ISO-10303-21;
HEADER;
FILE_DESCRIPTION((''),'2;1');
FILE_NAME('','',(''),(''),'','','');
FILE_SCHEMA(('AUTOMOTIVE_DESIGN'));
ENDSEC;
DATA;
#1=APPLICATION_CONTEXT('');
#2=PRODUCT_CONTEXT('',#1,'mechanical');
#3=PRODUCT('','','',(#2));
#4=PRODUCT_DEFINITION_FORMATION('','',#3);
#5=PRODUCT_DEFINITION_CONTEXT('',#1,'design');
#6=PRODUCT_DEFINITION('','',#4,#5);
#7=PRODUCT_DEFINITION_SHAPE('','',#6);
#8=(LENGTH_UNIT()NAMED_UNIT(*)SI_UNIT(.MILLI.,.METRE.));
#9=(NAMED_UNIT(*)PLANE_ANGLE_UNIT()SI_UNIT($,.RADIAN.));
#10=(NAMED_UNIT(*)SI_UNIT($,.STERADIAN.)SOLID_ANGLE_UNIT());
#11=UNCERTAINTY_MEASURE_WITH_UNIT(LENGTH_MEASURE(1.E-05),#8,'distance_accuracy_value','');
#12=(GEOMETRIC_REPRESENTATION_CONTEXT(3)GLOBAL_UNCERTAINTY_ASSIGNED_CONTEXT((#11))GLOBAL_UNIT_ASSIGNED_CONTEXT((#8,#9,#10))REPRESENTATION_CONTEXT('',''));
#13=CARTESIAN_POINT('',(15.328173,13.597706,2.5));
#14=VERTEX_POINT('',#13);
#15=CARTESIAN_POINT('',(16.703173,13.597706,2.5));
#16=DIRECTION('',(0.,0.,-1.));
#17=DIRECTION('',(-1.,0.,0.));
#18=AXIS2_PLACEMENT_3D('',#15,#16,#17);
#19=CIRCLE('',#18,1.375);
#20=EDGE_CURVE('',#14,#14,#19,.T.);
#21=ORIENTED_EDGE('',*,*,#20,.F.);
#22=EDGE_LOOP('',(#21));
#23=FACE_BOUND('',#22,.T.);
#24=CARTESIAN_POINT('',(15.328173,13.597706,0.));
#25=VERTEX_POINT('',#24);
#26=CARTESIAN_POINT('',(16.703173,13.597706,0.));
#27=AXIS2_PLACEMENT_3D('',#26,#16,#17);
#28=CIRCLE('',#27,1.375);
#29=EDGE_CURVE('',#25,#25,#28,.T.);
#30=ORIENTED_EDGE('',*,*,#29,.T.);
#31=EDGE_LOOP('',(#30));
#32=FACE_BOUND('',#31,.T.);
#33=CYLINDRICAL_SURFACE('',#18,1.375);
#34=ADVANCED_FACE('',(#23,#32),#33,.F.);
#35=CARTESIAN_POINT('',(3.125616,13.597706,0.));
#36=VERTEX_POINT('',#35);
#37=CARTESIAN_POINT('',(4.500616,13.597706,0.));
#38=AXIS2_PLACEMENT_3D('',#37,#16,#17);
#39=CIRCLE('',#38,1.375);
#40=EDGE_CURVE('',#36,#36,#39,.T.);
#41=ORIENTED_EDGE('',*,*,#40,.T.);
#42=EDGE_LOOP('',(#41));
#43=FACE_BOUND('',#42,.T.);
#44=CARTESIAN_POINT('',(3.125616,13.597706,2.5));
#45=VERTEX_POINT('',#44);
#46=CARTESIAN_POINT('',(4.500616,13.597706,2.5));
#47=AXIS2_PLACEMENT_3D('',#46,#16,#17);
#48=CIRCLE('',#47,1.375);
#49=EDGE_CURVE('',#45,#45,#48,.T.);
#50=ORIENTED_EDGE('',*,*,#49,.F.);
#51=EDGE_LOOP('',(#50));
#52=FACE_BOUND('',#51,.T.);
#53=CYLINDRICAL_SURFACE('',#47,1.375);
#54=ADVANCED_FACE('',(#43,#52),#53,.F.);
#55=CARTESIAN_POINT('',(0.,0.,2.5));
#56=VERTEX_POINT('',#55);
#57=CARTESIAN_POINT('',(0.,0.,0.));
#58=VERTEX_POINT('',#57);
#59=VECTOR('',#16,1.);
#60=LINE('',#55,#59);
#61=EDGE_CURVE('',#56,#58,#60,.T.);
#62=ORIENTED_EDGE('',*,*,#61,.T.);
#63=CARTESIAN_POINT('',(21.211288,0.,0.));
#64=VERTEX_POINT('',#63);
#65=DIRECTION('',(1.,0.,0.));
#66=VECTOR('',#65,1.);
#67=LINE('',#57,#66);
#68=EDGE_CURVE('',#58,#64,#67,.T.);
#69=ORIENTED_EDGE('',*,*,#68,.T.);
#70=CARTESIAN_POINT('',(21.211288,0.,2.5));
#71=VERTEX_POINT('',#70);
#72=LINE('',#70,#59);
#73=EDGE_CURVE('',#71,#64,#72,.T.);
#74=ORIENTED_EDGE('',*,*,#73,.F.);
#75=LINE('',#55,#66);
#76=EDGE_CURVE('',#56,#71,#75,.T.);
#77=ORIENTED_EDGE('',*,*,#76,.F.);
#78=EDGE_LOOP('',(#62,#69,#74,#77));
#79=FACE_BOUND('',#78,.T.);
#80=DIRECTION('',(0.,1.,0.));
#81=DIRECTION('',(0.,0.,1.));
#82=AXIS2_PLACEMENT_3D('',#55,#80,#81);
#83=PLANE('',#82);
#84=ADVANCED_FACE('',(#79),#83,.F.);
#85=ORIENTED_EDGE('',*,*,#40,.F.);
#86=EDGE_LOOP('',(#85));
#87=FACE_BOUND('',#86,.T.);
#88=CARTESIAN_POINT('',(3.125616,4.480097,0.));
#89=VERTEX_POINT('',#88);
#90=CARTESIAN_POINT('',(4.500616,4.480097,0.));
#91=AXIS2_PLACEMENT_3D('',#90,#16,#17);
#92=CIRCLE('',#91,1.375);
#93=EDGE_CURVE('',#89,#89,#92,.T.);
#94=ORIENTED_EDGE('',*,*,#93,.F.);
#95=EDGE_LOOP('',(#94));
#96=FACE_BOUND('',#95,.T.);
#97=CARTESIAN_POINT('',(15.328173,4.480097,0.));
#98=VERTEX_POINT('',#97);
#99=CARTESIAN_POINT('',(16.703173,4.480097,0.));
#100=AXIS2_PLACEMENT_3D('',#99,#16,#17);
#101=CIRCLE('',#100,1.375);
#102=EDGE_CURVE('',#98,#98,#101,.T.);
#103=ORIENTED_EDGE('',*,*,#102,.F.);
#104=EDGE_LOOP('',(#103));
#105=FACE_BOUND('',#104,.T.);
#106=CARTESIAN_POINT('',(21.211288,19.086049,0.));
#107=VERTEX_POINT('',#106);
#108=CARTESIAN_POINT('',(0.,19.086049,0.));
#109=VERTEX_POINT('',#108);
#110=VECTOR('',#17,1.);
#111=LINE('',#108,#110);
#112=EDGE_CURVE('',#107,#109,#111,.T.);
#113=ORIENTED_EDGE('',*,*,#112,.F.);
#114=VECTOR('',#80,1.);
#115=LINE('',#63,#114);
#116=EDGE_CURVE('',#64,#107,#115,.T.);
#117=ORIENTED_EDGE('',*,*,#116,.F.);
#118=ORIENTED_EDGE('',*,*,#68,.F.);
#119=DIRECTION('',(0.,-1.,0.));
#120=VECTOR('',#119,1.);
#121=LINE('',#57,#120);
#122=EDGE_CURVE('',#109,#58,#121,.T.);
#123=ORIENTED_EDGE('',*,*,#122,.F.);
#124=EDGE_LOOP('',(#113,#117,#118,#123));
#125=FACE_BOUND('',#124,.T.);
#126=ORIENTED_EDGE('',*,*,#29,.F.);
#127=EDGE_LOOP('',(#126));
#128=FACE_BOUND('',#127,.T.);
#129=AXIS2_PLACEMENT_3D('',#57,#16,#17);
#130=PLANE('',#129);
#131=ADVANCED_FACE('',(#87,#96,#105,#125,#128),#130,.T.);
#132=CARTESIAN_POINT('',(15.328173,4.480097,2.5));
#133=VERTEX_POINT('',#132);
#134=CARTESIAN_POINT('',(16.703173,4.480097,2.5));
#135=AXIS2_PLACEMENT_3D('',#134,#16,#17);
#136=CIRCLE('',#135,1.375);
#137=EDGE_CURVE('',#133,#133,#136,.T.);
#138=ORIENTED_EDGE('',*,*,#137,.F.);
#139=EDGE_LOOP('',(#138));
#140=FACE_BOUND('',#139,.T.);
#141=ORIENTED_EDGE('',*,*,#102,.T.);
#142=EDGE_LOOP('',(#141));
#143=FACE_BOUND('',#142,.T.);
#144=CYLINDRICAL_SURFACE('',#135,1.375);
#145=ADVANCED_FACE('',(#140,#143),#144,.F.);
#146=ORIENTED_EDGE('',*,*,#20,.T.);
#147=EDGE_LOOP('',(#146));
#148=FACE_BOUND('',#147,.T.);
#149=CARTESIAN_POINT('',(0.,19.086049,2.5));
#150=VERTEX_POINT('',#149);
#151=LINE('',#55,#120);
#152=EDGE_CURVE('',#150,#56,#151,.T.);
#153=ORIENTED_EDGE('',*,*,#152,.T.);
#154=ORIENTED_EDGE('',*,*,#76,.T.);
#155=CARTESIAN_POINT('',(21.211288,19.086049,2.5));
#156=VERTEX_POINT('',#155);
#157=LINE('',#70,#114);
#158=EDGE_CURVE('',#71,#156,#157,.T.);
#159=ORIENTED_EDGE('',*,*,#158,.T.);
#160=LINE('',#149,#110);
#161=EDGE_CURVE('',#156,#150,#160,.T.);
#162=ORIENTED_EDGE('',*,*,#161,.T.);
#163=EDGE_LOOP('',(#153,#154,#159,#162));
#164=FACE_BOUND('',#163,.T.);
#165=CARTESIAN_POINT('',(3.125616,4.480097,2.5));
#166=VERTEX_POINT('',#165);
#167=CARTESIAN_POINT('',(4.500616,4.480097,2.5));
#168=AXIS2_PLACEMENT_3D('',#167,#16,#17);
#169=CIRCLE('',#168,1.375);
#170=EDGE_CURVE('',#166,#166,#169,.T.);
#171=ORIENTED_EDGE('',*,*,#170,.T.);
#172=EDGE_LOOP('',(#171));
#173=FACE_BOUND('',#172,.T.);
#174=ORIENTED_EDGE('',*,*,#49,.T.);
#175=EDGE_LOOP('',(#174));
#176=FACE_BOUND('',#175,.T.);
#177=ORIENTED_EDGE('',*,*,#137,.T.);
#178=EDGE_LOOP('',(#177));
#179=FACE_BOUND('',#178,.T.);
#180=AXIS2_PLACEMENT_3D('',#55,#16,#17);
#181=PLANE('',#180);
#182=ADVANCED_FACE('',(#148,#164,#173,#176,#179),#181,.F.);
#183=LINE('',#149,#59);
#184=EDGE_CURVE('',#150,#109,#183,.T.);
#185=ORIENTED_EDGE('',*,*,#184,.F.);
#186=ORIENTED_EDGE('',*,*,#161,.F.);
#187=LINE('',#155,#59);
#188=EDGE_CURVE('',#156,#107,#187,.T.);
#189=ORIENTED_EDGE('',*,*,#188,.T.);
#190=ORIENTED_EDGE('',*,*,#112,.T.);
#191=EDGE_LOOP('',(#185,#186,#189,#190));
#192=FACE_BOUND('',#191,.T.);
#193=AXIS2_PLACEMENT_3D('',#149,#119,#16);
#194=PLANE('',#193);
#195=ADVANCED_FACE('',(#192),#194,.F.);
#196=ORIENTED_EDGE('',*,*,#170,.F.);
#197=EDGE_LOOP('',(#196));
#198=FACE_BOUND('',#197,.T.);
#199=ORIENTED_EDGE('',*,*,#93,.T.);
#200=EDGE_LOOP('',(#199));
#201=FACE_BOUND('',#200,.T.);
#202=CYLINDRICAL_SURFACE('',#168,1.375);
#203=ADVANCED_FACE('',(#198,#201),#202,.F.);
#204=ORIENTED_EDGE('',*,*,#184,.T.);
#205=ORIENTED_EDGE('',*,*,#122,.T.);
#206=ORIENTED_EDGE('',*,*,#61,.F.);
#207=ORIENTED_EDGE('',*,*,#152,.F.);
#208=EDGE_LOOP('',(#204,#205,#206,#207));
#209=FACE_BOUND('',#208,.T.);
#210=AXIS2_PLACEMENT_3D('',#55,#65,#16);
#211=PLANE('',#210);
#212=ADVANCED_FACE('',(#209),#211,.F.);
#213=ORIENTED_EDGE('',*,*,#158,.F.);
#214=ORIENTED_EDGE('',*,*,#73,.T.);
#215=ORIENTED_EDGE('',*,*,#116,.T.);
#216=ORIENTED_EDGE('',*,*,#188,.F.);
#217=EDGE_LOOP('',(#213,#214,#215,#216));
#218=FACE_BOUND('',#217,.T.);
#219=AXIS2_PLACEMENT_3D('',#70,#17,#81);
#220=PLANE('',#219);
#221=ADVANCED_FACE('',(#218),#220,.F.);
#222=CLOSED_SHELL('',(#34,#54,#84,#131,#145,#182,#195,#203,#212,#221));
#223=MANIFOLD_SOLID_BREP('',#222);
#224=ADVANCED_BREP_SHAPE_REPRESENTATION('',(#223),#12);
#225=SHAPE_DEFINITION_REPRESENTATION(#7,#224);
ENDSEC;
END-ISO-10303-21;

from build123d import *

# Parameters (mm, degrees)
SKETCH1_W           = 21.21128765
SKETCH1_H           = 19.08604853
BOSS_EXTRUDE1_DEPTH = 2.5
SKETCH2_R           = 1.375
CUT_EXTRUDE1_DEPTH  = 3.5


with BuildPart() as part:
    # Sketch1 → Boss-Extrude1 (new body)
    with BuildSketch(Plane.XY):
        with Locations((10.605643825, 9.543024265)):
            Rectangle(SKETCH1_W, SKETCH1_H)
    extrude(amount=BOSS_EXTRUDE1_DEPTH)

    # Sketch2 → Cut-Extrude1 (cut, through all)
    with BuildSketch(Plane(origin=(0, 0, 0), x_dir=(-1, 0, 0), z_dir=(0, 0, -1))):
        with Locations((-16.70317329, 13.5977062)):
            Circle(SKETCH2_R)
        with Locations((-4.50061561, 13.5977062)):
            Circle(SKETCH2_R)
        with Locations((-16.70317329, 4.48009656)):
            Circle(SKETCH2_R)
        with Locations((-4.50061561, 4.48009656)):
            Circle(SKETCH2_R)
    extrude(amount=-CUT_EXTRUDE1_DEPTH, mode=Mode.SUBTRACT)


solid = part.part
